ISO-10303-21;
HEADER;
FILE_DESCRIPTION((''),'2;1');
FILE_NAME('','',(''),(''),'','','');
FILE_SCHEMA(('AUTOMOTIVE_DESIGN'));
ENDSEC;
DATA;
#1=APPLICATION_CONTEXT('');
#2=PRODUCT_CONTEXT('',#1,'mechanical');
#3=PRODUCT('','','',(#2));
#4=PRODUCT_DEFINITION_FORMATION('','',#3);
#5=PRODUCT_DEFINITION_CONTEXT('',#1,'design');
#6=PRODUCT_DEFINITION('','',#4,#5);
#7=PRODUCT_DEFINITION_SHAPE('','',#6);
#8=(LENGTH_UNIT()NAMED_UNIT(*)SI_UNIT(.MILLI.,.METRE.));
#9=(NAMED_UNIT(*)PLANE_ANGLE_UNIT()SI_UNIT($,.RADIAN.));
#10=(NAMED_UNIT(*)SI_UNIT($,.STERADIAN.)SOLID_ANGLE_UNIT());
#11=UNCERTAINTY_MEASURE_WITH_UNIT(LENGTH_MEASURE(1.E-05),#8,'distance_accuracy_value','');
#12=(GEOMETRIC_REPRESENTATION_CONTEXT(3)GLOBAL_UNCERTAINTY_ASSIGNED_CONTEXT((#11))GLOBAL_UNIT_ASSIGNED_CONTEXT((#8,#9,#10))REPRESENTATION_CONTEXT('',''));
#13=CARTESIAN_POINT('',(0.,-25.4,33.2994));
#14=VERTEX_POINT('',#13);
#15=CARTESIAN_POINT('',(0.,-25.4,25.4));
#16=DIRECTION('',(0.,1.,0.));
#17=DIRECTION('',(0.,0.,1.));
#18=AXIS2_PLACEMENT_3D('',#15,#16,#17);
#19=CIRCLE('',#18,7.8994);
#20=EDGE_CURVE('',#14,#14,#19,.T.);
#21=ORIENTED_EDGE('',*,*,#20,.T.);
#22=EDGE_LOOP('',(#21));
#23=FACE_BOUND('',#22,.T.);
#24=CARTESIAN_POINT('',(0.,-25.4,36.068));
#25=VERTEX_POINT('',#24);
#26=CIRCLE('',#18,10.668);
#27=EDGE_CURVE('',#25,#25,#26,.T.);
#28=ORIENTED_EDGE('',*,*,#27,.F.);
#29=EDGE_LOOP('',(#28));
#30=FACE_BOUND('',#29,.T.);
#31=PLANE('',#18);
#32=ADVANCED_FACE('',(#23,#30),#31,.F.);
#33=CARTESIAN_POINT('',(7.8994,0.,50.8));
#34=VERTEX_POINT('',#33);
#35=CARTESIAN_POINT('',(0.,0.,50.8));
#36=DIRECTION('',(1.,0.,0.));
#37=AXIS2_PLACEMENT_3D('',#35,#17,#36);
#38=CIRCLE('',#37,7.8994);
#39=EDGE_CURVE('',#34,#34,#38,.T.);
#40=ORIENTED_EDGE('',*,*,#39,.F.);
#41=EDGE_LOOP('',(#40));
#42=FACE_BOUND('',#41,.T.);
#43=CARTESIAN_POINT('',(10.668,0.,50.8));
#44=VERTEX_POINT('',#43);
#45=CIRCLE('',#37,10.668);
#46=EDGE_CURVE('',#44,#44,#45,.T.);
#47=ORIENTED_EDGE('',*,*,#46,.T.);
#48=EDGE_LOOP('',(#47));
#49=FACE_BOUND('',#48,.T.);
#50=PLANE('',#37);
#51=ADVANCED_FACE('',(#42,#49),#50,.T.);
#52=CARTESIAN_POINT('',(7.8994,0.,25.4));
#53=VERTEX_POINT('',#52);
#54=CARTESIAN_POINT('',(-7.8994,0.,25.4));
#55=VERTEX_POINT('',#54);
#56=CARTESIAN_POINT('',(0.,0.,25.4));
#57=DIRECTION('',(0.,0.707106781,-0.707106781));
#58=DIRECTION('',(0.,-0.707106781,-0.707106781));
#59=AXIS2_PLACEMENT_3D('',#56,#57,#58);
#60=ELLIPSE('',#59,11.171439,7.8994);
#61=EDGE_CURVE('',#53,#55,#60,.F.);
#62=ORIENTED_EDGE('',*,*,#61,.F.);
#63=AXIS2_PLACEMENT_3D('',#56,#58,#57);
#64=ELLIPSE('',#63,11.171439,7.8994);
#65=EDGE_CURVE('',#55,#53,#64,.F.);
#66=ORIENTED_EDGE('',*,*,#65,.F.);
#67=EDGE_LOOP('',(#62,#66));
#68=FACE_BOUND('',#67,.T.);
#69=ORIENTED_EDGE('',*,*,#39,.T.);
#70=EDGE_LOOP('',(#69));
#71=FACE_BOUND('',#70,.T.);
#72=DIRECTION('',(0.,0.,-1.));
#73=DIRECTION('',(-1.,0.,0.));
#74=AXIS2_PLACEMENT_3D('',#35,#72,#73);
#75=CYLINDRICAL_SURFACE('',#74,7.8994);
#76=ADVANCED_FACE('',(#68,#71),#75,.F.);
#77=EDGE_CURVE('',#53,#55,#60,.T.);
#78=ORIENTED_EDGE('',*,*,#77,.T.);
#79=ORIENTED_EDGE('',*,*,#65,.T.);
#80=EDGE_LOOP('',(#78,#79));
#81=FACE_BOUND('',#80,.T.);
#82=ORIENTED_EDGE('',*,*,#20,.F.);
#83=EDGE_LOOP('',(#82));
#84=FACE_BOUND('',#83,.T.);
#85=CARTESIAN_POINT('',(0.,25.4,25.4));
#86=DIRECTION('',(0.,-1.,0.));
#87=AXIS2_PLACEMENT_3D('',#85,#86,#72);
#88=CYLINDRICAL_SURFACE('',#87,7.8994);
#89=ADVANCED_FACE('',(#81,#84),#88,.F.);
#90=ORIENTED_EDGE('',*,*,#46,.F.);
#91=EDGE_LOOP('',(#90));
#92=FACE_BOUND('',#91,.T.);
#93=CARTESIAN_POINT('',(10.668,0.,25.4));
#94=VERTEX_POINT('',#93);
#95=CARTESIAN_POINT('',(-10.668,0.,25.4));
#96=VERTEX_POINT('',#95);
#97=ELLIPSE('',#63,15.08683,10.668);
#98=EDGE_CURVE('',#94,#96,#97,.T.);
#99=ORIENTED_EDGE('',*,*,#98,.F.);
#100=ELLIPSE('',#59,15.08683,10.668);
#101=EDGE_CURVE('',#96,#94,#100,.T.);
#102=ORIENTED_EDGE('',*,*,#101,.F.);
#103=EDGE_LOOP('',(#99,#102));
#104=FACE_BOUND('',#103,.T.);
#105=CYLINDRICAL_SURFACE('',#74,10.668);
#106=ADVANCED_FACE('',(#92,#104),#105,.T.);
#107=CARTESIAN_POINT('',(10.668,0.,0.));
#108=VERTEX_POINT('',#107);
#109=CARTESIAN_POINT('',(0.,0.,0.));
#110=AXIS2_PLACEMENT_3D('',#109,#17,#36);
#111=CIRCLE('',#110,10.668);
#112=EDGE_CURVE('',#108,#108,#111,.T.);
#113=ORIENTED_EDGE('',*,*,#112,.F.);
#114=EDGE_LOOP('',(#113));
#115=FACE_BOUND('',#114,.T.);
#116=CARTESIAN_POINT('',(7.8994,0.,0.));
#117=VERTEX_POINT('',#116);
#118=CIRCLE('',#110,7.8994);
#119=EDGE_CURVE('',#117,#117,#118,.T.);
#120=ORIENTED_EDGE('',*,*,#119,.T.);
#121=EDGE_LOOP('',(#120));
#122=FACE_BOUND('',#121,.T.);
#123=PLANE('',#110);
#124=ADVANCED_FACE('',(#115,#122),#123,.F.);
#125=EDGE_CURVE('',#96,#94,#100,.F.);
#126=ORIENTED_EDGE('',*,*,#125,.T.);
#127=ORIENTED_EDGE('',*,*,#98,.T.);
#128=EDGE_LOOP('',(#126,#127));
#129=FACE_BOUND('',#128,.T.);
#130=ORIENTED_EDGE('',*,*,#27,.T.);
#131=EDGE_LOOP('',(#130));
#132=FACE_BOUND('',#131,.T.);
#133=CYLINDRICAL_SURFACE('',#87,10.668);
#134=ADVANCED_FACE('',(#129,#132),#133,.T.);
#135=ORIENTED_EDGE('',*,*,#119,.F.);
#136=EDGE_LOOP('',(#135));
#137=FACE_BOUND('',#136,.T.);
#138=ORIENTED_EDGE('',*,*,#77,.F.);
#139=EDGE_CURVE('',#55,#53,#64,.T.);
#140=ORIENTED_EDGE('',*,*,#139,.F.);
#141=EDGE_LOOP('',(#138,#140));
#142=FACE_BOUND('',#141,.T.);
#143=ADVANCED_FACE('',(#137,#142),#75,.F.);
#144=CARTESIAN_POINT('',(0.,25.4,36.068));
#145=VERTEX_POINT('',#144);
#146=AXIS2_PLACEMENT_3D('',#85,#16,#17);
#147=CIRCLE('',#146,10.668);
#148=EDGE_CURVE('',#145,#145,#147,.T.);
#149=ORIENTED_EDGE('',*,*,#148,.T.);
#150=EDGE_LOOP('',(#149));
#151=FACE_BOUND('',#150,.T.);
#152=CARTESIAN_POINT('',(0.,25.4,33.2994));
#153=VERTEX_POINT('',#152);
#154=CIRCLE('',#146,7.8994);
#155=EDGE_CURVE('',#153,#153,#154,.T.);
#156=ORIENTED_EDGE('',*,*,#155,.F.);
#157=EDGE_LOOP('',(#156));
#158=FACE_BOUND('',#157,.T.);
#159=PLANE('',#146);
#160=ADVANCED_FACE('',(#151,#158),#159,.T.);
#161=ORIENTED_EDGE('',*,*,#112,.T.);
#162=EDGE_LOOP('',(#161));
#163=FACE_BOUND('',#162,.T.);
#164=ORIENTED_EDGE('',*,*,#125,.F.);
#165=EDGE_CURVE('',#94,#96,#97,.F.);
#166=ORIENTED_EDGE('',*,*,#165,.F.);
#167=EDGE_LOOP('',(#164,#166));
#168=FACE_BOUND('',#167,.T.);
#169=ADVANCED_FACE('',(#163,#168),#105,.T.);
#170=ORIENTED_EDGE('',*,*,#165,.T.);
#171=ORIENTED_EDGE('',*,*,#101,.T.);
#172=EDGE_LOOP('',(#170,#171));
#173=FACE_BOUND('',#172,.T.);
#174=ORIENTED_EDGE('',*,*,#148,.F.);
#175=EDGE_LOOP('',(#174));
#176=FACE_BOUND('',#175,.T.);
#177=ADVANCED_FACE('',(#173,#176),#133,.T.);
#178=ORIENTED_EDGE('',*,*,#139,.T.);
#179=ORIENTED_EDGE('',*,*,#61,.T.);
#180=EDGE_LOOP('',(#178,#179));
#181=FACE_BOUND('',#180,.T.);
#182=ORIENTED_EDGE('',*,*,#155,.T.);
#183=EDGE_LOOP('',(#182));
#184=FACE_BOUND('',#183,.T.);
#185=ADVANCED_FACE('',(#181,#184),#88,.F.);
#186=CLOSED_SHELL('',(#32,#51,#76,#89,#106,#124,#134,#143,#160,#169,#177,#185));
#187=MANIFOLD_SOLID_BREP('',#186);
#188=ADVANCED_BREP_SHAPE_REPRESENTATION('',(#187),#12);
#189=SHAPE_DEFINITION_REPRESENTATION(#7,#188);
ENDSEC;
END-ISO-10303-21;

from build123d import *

# Parameters (mm, degrees)
SKETCH1_R               = 10.668
SKETCH1_R_2             = 7.8994
BOSS_EXTRUDE1_DEPTH     = 50.8
SKETCH2_R               = 10.668
SKETCH2_R_2             = 7.8994
BOSS_EXTRUDE2_DEPTH     = 25.4
SKETCH3_R               = 7.8994
CUT_EXTRUDE1_DEPTH      = 51.8000001
SKETCH4_R               = 7.8994
CUT_EXTRUDE2_DEPTH      = 1.0000001
CUT_EXTRUDE2_DEPTH_BACK = 51.8000001


with BuildPart() as part:
    # Sketch1 → Boss-Extrude1 (new body)
    with BuildSketch(Plane.XY):
        Circle(SKETCH1_R)
        Circle(SKETCH1_R_2, mode=Mode.SUBTRACT)
    extrude(amount=BOSS_EXTRUDE1_DEPTH)

    # Sketch2 → Boss-Extrude2 (add, symmetric)
    with BuildSketch(Plane(origin=(0, 0, 0), x_dir=(1, 0, 0), z_dir=(0, 1, 0))):
        with Locations((0, -25.4)):
            Circle(SKETCH2_R)
        with Locations((0, -25.4)):
            Circle(SKETCH2_R_2, mode=Mode.SUBTRACT)
    extrude(amount=BOSS_EXTRUDE2_DEPTH, both=True)

    # Sketch3 → Cut-Extrude1 (cut, through all)
    with BuildSketch(Plane.XY.offset(50.8)):
        Circle(SKETCH3_R)
    extrude(amount=-CUT_EXTRUDE1_DEPTH, mode=Mode.SUBTRACT)

    # Sketch4 → Cut-Extrude2 (cut, two sides)
    with BuildSketch(Plane(origin=(0, 25.4, 0), x_dir=(1, 0, 0), z_dir=(0, 1, 0))) as cut_extrude2_sk:
        with Locations((0, -25.4)):
            Circle(SKETCH4_R)
    extrude(amount=CUT_EXTRUDE2_DEPTH, mode=Mode.SUBTRACT)
    extrude(cut_extrude2_sk.sketch, amount=-CUT_EXTRUDE2_DEPTH_BACK, mode=Mode.SUBTRACT)


solid = part.part
